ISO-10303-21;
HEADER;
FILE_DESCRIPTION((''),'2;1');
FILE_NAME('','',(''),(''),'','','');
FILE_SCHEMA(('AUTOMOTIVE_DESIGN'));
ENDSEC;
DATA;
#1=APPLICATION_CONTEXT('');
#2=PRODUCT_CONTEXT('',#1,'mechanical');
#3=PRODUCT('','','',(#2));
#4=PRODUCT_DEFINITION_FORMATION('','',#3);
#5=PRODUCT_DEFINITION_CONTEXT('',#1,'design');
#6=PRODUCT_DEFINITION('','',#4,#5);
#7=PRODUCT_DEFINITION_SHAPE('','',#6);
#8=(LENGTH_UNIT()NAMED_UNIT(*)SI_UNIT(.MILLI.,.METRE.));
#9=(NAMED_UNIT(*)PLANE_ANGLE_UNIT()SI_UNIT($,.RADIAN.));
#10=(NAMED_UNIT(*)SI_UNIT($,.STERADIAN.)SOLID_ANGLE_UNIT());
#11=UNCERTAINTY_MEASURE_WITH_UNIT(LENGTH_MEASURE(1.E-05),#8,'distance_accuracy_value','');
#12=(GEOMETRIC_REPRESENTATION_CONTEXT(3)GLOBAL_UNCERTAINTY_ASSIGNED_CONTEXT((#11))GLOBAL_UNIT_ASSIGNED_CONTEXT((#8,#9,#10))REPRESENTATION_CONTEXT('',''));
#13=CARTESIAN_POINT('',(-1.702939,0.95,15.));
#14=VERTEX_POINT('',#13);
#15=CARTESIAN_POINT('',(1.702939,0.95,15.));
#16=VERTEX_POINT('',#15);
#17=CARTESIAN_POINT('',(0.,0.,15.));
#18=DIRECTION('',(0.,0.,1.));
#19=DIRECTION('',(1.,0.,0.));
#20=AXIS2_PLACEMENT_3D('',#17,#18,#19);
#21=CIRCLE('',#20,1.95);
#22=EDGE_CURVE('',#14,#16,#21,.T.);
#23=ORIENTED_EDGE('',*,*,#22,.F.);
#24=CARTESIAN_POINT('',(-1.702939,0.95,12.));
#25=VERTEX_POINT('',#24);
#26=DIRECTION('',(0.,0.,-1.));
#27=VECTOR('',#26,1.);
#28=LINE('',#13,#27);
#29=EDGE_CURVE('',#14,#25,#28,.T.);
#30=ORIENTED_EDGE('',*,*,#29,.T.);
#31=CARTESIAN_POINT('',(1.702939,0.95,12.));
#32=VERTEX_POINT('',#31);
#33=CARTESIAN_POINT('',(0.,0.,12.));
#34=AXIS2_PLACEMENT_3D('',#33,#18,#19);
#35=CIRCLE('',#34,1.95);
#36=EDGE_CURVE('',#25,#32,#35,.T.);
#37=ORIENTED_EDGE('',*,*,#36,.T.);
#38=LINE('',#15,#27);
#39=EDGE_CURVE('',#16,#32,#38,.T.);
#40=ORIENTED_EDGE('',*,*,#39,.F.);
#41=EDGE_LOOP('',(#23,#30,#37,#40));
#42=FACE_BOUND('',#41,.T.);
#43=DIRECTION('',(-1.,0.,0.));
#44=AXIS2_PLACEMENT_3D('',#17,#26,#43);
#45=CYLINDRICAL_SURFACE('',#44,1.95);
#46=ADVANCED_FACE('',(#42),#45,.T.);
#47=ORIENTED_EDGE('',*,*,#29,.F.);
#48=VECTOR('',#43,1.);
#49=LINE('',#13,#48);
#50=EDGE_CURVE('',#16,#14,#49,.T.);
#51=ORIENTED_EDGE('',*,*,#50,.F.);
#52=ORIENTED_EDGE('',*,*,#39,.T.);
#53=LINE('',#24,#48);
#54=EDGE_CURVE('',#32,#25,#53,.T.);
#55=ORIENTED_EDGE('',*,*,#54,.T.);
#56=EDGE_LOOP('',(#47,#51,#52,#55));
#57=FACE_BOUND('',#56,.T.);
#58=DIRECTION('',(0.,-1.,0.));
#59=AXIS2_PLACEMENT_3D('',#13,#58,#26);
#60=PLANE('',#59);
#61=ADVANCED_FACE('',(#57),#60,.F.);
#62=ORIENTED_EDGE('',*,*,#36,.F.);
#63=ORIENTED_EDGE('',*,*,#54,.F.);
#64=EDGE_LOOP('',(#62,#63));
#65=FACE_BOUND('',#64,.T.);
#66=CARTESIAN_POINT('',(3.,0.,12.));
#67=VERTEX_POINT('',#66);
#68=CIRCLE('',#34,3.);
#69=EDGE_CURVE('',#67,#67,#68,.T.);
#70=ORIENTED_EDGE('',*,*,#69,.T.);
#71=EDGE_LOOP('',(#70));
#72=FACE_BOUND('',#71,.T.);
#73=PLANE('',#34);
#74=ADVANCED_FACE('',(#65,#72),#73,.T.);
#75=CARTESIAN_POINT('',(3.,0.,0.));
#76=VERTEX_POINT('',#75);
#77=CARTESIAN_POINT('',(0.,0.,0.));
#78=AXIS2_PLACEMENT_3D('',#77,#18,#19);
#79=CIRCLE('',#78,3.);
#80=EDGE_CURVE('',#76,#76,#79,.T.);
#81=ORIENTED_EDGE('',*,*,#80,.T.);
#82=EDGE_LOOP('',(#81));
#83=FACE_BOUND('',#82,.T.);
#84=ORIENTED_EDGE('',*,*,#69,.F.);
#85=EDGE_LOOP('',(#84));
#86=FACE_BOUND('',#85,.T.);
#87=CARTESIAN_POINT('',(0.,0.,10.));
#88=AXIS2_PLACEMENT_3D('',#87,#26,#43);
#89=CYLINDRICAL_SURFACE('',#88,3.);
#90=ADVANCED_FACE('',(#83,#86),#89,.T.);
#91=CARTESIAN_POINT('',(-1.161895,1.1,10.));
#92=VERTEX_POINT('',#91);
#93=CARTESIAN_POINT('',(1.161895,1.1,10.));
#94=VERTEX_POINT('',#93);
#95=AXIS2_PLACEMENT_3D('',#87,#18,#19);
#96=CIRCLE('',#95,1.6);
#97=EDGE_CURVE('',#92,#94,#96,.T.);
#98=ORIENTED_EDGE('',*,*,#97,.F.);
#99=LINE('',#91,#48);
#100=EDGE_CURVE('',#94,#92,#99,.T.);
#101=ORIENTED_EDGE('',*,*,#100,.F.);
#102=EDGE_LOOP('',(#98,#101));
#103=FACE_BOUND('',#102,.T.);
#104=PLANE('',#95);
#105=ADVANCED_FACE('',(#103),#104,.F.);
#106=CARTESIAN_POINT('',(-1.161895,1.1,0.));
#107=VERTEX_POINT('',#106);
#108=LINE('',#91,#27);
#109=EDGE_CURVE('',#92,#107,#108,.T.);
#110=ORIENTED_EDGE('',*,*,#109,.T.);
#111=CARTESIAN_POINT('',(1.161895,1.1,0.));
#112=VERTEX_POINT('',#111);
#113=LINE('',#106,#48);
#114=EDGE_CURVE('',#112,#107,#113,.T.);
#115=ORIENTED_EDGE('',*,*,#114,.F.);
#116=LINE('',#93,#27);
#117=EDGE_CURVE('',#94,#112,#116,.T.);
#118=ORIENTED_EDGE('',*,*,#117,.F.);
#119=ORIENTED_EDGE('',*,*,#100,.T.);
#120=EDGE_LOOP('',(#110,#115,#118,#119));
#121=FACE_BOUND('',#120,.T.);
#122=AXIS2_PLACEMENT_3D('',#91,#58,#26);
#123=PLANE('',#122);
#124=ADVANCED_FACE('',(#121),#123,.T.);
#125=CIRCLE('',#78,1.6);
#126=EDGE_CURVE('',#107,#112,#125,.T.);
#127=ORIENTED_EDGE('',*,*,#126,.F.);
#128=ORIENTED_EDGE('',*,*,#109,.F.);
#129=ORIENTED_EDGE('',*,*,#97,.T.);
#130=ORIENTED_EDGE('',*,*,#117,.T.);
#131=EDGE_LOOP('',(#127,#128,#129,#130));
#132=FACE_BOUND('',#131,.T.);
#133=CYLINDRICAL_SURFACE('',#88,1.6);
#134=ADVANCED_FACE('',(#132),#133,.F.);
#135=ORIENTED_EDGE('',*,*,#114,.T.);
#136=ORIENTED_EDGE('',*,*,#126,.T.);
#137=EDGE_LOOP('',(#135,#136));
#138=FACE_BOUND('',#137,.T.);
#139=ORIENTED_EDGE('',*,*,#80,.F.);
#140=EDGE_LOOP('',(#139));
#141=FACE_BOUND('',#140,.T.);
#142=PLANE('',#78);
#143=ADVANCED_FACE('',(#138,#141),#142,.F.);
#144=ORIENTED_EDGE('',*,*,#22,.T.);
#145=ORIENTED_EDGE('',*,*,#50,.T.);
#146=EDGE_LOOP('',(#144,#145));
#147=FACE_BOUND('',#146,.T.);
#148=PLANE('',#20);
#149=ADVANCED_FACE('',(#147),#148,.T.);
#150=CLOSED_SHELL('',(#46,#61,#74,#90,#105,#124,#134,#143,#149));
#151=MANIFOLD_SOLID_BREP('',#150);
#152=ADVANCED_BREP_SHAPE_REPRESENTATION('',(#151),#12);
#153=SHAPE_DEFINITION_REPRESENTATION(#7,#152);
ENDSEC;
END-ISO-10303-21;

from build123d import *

# Parameters (mm, degrees)
SKETCH1_R           = 3
BOSS_EXTRUDE1_DEPTH = 10
SKETCH2_R           = 3
BOSS_EXTRUDE2_DEPTH = 2
BOSS_EXTRUDE3_DEPTH = 3


with BuildPart() as part:
    # Sketch1 → Boss-Extrude1 (new body)
    with BuildSketch(Plane.XY):
        Circle(SKETCH1_R)
        with BuildLine():
            Line((-1.161895004, 1.1), (1.161895004, 1.1))
            ThreePointArc((1.161895004, 1.1), (0, -1.6), (-1.161895004, 1.1))
        make_face(mode=Mode.SUBTRACT)
    extrude(amount=BOSS_EXTRUDE1_DEPTH)

    # Sketch2 → Boss-Extrude2 (add)
    with BuildSketch(Plane.XY.offset(10)):
        Circle(SKETCH2_R)
    extrude(amount=BOSS_EXTRUDE2_DEPTH)

    # Sketch3 → Boss-Extrude3 (add)
    with BuildSketch(Plane.XY.offset(12)):
        with BuildLine():
            Line((-1.702938637, 0.95), (1.702938637, 0.95))
            ThreePointArc((1.702938637, 0.95), (0, -1.95), (-1.702938637, 0.95))
        make_face()
    extrude(amount=BOSS_EXTRUDE3_DEPTH)


solid = part.part
